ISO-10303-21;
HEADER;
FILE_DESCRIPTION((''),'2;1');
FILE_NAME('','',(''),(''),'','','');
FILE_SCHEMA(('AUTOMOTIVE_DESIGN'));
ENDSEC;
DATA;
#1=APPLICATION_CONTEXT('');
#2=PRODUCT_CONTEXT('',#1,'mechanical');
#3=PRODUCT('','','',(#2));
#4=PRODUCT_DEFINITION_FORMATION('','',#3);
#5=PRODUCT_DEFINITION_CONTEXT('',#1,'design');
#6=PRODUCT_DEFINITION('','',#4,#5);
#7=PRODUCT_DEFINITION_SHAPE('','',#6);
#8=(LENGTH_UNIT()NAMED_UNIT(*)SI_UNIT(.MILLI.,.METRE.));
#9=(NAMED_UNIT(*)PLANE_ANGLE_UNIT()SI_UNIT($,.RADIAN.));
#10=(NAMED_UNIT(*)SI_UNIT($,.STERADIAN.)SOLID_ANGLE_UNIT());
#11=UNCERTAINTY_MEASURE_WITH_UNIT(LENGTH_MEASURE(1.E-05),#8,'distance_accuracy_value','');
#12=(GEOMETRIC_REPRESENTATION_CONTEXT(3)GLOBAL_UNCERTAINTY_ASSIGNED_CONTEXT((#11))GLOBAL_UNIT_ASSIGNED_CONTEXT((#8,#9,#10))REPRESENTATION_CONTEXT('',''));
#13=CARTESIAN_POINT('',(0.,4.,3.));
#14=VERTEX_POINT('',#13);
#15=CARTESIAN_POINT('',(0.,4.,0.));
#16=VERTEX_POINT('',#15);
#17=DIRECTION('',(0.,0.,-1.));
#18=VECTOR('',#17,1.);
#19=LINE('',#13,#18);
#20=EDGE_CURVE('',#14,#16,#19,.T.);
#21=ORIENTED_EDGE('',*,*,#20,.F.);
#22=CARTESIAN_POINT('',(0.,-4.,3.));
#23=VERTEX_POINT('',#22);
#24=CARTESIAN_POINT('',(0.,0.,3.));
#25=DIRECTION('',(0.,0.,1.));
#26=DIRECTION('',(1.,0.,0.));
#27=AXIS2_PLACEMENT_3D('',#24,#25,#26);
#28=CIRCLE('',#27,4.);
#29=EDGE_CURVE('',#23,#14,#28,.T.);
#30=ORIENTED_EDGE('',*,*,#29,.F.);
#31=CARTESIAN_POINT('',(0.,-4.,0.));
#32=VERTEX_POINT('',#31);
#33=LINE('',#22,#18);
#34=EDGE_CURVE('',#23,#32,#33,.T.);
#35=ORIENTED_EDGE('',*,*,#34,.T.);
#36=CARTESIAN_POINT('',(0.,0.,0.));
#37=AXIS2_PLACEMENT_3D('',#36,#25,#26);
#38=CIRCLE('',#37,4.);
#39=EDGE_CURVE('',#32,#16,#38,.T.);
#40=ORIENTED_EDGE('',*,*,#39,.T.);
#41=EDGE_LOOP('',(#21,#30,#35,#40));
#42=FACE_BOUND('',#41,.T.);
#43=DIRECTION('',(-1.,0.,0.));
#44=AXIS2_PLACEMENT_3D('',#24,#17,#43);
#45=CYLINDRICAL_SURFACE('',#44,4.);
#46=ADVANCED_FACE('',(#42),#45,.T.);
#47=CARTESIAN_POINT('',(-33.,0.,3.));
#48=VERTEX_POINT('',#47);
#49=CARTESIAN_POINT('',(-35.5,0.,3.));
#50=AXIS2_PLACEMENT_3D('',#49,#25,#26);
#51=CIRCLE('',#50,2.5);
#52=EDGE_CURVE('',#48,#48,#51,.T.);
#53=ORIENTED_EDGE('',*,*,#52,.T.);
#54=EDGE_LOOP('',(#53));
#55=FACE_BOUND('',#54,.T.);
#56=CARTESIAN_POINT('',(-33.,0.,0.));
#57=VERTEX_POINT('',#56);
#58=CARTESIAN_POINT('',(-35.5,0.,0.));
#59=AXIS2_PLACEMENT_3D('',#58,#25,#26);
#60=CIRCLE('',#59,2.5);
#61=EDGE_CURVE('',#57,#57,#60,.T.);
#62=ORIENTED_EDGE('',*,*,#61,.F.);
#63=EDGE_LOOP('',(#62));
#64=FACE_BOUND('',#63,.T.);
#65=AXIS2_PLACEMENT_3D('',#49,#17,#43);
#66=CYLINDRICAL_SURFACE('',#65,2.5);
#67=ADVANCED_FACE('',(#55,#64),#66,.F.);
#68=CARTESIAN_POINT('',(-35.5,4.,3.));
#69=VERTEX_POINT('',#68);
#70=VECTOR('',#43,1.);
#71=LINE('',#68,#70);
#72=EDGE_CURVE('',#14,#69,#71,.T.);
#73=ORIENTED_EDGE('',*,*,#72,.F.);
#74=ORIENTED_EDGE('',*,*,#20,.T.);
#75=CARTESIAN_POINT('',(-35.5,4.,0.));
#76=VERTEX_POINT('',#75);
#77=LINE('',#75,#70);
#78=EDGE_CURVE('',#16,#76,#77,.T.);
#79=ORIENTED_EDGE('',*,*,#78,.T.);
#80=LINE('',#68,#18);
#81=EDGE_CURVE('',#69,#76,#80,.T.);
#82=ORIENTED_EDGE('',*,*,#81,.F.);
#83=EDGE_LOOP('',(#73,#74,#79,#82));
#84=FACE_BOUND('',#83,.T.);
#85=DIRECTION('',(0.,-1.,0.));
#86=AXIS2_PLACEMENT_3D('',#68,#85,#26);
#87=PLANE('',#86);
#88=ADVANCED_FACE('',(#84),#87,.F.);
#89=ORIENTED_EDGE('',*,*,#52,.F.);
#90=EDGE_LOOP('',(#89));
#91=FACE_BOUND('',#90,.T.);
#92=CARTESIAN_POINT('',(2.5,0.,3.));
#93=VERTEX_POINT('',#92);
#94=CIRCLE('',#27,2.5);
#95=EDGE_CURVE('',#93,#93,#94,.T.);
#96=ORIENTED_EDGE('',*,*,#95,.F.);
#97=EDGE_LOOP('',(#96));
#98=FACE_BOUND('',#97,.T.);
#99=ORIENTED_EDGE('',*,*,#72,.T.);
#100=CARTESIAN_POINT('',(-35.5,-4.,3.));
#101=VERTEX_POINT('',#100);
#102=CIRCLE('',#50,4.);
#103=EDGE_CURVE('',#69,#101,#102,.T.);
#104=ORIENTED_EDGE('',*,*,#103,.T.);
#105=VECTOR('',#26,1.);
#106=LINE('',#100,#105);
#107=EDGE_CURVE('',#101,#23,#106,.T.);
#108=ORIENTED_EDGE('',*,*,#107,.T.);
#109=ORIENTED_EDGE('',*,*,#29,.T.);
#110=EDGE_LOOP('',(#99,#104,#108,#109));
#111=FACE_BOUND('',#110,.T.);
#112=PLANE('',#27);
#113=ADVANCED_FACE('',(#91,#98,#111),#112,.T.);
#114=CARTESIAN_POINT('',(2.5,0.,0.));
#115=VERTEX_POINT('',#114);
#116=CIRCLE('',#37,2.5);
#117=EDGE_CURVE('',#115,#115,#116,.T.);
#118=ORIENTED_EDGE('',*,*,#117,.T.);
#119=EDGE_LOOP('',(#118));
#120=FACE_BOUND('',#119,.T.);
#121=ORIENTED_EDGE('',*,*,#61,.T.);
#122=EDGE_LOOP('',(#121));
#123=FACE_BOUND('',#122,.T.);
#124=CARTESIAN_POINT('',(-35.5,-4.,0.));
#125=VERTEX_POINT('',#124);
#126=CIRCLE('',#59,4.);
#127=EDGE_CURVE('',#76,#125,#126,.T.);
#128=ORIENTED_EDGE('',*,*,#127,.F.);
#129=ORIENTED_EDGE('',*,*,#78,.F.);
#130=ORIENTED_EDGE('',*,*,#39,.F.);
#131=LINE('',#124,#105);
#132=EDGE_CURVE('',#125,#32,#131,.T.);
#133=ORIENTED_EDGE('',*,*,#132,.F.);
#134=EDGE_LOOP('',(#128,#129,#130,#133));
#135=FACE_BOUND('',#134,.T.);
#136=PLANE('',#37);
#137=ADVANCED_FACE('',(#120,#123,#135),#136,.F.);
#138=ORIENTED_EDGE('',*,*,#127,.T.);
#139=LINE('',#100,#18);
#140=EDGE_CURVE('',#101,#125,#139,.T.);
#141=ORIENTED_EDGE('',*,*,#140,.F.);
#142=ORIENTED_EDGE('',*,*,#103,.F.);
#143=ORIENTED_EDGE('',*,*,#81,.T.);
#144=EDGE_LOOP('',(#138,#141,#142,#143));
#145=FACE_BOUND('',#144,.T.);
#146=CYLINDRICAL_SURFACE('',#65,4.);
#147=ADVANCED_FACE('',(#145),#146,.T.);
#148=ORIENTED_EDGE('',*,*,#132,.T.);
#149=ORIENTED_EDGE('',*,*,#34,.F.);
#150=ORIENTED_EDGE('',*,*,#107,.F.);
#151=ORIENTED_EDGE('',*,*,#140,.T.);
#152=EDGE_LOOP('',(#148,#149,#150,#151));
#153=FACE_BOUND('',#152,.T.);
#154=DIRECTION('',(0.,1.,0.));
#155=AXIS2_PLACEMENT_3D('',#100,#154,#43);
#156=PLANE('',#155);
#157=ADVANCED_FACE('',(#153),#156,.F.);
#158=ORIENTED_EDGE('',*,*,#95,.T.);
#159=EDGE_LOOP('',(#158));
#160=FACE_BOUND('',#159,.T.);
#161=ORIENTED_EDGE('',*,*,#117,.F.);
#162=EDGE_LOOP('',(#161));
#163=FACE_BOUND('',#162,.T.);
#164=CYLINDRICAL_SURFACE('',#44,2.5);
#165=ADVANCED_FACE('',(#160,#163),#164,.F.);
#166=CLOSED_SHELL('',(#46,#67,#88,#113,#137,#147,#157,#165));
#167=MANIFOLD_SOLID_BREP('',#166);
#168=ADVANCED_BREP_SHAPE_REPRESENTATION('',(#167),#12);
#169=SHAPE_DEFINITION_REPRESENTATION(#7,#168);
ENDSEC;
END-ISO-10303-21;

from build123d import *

# Parameters (mm, degrees)
SKETCH2_R           = 2.5
BOSS_EXTRUDE1_DEPTH = 3


with BuildPart() as part:
    # Sketch2 → Boss-Extrude1 (new body)
    with BuildSketch(Plane.XY):
        with BuildLine():
            Line((-35.5, 4), (0, 4))
            ThreePointArc((0, 4), (4, 0), (0, -4))
            Line((0, -4), (-35.5, -4))
            ThreePointArc((-35.5, -4), (-39.5, 0), (-35.5, 4))
        make_face()
        with Locations((-35.5, 0)):
            Circle(SKETCH2_R, mode=Mode.SUBTRACT)
        Circle(SKETCH2_R, mode=Mode.SUBTRACT)
    extrude(amount=BOSS_EXTRUDE1_DEPTH)


solid = part.part
